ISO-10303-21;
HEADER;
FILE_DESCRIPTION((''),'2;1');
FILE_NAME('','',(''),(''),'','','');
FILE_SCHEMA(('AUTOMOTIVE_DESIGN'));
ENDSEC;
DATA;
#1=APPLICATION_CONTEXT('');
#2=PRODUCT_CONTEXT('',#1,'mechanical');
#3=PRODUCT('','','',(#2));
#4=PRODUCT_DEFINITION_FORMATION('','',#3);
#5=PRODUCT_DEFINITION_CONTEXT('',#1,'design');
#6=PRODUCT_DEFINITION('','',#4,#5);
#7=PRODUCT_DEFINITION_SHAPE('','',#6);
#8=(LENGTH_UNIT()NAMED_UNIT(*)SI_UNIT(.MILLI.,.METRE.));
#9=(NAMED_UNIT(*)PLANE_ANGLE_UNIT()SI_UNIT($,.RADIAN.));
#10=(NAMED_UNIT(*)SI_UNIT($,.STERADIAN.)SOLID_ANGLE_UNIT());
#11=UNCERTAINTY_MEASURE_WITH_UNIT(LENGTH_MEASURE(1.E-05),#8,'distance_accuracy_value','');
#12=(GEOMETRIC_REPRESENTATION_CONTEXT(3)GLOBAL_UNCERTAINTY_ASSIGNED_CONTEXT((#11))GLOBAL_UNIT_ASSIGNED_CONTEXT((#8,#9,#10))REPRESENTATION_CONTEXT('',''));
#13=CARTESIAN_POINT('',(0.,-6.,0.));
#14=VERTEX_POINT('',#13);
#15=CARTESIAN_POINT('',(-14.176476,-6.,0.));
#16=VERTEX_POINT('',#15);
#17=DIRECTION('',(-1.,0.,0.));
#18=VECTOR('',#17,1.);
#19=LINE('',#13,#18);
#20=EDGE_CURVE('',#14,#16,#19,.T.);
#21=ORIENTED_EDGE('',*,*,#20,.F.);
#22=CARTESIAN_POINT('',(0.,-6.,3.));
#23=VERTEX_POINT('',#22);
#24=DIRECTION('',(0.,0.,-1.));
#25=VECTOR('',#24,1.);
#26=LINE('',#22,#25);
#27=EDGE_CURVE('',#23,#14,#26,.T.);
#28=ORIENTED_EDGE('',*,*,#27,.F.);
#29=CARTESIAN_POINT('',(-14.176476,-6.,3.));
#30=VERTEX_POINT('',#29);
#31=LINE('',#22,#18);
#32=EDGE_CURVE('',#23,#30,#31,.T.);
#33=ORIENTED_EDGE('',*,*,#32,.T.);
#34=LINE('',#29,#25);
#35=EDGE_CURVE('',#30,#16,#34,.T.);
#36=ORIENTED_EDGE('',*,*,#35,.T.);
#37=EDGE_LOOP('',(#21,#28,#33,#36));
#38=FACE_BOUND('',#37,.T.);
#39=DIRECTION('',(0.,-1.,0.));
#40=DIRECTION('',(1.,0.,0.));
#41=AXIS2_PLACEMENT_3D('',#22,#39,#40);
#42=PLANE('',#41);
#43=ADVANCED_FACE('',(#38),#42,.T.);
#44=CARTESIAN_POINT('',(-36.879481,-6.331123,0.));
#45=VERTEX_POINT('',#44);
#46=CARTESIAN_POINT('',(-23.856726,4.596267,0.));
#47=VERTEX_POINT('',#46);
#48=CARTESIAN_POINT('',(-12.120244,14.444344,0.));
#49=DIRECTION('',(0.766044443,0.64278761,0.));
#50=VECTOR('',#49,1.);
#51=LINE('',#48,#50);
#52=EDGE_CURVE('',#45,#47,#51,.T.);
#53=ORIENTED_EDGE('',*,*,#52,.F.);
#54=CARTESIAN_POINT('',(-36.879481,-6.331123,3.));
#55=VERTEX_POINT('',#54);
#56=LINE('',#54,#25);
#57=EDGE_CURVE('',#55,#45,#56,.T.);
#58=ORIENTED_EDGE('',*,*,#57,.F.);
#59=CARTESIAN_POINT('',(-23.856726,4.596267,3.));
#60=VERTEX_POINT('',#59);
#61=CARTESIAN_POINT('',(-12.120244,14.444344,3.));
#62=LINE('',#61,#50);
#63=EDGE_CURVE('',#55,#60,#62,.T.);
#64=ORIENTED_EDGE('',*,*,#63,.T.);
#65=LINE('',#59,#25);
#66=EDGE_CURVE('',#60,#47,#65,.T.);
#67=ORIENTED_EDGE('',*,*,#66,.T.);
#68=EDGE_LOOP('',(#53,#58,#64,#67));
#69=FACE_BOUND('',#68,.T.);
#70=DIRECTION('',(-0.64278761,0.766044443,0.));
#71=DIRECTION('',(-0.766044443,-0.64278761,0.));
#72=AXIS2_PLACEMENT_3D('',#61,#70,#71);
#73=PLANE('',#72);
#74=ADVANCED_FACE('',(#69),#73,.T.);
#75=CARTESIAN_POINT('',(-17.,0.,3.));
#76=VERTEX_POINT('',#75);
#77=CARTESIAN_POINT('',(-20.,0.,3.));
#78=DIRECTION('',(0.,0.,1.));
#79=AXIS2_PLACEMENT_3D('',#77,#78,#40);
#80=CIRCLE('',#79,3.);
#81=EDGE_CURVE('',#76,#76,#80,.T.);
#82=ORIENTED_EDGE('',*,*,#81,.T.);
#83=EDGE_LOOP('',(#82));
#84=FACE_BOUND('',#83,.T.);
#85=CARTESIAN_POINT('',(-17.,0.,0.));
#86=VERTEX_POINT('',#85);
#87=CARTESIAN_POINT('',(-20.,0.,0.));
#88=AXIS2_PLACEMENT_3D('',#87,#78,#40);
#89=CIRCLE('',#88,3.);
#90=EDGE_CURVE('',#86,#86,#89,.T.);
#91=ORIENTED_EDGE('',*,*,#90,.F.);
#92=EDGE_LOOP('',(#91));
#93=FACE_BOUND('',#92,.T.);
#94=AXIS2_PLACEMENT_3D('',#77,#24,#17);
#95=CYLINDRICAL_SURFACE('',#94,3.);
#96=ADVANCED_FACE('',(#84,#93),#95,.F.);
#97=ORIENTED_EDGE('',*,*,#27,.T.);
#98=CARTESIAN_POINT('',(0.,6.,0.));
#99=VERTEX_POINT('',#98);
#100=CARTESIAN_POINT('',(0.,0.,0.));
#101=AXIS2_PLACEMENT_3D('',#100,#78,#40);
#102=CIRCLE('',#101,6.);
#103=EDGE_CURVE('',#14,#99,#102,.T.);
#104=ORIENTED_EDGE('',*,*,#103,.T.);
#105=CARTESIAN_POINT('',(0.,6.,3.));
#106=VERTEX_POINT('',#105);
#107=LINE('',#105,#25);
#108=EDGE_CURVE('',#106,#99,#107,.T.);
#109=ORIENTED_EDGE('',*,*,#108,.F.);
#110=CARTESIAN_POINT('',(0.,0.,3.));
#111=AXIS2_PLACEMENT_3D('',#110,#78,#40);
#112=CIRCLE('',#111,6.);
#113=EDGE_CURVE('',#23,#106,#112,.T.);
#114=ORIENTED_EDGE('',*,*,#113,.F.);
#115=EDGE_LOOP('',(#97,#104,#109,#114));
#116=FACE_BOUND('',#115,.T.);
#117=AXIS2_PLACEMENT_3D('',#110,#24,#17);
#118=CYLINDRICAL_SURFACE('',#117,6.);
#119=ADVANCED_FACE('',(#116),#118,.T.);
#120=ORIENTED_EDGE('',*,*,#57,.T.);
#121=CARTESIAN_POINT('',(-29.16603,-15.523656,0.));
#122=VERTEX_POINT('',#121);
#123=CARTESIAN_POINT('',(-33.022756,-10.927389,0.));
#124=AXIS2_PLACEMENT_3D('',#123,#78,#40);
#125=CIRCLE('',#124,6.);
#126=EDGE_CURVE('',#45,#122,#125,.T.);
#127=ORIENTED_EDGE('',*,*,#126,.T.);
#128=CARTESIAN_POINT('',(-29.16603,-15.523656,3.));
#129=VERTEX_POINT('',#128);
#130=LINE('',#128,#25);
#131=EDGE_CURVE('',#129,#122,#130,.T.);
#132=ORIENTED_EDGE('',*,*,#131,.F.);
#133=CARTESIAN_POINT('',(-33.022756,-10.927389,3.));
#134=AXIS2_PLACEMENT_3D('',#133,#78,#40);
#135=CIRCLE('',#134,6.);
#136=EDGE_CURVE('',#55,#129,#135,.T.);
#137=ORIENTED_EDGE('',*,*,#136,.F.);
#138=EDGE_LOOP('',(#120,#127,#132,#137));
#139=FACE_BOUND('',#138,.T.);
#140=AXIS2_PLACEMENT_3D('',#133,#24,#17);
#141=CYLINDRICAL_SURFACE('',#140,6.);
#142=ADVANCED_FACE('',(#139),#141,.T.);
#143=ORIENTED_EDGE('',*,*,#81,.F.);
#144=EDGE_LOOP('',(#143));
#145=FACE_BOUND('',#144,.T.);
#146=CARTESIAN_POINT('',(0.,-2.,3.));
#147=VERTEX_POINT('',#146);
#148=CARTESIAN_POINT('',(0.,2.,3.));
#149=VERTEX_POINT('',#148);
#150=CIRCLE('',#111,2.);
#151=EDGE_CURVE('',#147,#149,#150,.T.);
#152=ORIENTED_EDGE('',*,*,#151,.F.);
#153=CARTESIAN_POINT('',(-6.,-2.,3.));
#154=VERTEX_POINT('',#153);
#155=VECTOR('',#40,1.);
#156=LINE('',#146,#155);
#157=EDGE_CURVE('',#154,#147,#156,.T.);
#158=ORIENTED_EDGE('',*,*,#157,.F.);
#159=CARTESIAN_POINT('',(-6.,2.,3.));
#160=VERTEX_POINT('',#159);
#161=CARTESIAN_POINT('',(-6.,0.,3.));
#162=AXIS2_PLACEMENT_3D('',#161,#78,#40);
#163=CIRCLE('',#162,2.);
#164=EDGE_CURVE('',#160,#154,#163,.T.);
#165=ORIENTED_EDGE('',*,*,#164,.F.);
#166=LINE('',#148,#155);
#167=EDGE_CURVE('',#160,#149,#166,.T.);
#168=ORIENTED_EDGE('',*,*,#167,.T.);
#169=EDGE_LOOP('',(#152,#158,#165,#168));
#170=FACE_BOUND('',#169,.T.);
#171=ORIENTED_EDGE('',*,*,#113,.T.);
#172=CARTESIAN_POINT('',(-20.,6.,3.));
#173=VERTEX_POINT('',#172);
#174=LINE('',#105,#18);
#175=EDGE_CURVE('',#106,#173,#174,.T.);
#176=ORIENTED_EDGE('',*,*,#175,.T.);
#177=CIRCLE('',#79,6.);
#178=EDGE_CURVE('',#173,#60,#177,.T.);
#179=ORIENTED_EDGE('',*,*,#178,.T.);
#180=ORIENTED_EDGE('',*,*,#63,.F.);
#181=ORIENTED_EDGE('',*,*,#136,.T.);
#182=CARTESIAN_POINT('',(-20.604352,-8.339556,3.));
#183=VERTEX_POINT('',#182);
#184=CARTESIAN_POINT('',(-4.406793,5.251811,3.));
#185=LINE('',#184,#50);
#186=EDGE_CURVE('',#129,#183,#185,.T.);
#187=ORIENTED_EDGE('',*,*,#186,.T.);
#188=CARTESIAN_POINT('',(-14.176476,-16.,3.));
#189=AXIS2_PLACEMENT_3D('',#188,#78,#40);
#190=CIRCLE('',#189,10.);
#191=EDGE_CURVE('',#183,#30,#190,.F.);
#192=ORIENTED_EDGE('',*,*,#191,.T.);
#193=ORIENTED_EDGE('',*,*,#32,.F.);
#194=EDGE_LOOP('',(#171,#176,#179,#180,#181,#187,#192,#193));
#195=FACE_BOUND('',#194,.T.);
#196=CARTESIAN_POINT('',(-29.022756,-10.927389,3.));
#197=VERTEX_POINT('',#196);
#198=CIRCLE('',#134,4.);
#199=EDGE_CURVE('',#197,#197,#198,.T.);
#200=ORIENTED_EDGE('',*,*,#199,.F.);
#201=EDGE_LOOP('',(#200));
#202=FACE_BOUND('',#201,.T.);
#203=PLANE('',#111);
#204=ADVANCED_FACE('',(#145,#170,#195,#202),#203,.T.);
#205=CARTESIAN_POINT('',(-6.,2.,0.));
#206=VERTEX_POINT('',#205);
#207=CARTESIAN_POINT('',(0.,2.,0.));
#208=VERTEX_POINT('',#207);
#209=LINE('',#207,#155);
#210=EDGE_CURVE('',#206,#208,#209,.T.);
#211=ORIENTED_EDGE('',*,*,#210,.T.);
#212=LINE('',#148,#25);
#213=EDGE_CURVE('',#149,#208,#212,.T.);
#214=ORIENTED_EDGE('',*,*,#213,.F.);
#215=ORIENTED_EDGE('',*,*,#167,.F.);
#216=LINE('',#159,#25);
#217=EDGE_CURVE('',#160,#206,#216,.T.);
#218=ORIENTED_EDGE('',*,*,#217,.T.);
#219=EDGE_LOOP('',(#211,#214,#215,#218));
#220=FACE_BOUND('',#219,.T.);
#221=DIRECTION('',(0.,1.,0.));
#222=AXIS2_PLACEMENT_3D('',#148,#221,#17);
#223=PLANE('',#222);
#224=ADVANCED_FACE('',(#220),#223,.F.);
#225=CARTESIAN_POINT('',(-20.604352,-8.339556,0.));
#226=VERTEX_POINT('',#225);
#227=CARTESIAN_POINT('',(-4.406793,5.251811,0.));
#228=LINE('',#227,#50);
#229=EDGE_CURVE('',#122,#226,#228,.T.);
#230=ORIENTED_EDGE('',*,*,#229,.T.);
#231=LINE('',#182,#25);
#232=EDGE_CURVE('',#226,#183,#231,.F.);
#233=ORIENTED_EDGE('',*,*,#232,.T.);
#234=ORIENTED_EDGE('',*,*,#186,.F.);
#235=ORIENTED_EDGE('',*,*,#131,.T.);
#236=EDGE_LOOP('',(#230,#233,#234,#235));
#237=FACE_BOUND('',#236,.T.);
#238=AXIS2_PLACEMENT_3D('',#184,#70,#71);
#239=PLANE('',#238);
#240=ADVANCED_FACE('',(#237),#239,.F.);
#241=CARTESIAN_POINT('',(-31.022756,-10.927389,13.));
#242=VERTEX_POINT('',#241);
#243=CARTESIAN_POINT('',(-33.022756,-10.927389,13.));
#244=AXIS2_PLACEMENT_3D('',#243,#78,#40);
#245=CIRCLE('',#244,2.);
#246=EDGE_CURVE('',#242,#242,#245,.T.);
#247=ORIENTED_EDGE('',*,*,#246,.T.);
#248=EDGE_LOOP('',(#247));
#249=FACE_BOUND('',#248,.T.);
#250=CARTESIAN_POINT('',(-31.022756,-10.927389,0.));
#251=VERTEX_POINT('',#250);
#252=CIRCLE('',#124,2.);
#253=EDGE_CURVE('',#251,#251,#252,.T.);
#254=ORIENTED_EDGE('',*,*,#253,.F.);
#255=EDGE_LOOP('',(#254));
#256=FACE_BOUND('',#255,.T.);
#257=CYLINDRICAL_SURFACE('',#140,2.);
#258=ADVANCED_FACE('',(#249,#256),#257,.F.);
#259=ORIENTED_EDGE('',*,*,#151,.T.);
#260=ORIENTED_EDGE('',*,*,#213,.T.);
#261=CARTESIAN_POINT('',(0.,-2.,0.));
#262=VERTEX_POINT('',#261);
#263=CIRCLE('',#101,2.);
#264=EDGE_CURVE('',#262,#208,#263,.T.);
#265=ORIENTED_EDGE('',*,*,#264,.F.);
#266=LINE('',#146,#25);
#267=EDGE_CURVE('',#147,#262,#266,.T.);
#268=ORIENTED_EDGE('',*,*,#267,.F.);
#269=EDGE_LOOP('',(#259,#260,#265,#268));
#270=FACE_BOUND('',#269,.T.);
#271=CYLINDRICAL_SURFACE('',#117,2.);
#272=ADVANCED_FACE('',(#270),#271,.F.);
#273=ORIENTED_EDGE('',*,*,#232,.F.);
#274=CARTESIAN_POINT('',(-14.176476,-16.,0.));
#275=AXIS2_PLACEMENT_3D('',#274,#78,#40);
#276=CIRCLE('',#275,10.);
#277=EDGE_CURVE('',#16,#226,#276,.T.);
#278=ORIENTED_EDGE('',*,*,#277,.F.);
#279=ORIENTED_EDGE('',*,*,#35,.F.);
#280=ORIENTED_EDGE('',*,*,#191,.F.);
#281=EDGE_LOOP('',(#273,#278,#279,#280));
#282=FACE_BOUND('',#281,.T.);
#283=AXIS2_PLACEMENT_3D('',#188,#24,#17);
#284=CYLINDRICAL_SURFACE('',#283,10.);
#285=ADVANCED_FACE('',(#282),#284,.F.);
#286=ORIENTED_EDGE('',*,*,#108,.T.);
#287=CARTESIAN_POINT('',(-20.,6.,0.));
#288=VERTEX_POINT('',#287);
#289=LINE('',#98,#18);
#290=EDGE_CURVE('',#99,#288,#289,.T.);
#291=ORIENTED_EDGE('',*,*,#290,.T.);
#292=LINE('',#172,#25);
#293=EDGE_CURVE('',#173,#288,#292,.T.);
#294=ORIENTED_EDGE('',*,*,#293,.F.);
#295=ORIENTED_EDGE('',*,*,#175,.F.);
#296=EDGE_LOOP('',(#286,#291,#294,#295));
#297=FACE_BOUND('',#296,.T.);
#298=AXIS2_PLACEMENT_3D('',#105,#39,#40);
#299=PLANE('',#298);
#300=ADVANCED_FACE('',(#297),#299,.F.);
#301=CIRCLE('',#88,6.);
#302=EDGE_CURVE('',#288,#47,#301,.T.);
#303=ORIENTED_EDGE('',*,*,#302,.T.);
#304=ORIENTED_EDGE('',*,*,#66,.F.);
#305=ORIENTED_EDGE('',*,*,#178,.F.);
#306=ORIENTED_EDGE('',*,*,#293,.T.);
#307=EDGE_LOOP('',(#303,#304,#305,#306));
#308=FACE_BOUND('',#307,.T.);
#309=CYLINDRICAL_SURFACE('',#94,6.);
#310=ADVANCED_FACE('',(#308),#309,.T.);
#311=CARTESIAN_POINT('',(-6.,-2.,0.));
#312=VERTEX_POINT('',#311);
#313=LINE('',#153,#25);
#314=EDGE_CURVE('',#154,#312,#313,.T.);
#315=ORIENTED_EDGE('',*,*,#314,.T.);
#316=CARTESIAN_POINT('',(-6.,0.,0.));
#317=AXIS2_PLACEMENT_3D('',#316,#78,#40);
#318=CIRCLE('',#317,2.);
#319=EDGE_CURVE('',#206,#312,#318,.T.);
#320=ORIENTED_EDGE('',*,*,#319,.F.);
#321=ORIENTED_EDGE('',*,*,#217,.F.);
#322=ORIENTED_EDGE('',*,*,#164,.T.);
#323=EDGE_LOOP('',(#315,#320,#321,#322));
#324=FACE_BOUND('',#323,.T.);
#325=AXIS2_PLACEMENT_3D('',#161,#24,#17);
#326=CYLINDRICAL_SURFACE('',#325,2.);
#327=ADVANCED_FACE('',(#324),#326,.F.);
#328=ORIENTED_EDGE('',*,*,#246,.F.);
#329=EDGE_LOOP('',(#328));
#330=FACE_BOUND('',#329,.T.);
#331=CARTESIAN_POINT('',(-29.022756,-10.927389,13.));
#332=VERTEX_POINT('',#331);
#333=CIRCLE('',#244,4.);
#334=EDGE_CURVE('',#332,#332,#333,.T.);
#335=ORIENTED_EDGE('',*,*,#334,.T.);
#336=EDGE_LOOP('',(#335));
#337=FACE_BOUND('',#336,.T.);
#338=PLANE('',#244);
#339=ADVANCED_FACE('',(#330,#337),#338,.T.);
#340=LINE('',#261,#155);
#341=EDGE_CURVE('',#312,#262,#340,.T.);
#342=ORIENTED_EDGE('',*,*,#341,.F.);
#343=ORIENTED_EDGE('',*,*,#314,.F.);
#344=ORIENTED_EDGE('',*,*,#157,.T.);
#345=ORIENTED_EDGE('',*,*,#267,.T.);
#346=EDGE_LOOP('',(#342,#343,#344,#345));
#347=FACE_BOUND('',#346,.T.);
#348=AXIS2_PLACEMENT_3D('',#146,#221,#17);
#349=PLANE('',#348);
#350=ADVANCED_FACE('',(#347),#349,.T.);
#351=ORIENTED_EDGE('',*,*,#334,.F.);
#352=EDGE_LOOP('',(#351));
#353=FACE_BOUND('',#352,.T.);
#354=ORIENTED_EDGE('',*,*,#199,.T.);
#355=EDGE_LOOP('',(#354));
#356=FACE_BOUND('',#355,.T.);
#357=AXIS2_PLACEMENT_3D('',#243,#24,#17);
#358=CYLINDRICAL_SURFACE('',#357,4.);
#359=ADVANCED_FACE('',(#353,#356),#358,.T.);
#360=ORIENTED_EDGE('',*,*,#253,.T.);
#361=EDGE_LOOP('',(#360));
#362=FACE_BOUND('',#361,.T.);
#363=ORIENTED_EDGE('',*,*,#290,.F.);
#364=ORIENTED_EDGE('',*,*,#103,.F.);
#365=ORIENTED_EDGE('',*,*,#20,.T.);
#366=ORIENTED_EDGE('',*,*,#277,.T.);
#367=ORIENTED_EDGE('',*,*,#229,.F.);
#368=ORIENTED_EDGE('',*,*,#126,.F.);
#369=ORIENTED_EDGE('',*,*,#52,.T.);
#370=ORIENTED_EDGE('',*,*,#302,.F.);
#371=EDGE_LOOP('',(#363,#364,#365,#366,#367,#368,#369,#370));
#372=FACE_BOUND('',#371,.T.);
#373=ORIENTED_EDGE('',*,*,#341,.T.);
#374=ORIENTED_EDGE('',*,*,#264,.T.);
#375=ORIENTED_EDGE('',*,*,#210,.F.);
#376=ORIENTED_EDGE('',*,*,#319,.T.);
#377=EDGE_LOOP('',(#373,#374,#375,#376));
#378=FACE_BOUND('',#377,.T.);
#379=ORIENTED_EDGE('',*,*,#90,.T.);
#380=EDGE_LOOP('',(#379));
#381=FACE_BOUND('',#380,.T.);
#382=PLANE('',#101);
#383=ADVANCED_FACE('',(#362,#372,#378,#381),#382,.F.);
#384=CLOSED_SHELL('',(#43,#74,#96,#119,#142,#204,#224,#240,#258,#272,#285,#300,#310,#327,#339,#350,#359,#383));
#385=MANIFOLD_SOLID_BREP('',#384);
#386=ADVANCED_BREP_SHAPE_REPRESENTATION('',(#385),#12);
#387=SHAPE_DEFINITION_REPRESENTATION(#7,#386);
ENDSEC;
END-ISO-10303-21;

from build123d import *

# Parameters (mm, degrees)
SKETCH_1_R      = 3
SKETCH_1_R_2    = 2
EXTRUDE_1_DEPTH = 3
FILLET_1_R      = 10
SKETCH_2_R      = 4
SKETCH_2_R_2    = 2
EXTRUDE_2_DEPTH = 10


with BuildPart() as part:
    # Эскиз1 → Бобышка-Вытянуть1 (new body)
    with BuildSketch(Plane.XY):
        with BuildLine():
            Line((-17.816178594, -6), (0, -6))
            ThreePointArc((0, -6), (6, 0), (0, 6))
            Line((0, 6), (-20, 6))
            ThreePointArc((-20, 6), (-22.05212086, 5.638155725), (-23.856725658, 4.596266659))
            Line((-23.856725658, 4.596266659), (-36.879481191, -6.331122706))
            ThreePointArc((-36.879481191, -6.331122706), (-37.619022192, -14.784115023), (-29.166029875, -15.523656023))
            Line((-29.166029875, -15.523656023), (-17.816178594, -6))
        make_face()
        with Locations((-20, 0)):
            Circle(SKETCH_1_R, mode=Mode.SUBTRACT)
        with BuildLine():
            Line((-6, 2), (0, 2))
            ThreePointArc((0, 2), (2, 0), (0, -2))
            Line((0, -2), (-6, -2))
            ThreePointArc((-6, -2), (-8, 0), (-6, 2))
        make_face(mode=Mode.SUBTRACT)
        with Locations((-33.022755533, -10.927389365)):
            Circle(SKETCH_1_R_2, mode=Mode.SUBTRACT)
    extrude(amount=EXTRUDE_1_DEPTH)

    # Скругление1
    fillet_1_edges = [part.edges().sort_by_distance(p)[0] for p in [
        (-17.816178594, -6, 1.5),
    ]]
    fillet(fillet_1_edges, radius=FILLET_1_R)

    # Эскиз2 → Бобышка-Вытянуть2 (add)
    with BuildSketch(Plane.XY.offset(3)):
        with Locations((-33.022755533, -10.927389365)):
            Circle(SKETCH_2_R)
        with Locations((-33.022755533, -10.927389365)):
            Circle(SKETCH_2_R_2, mode=Mode.SUBTRACT)
    extrude(amount=EXTRUDE_2_DEPTH)


solid = part.part
